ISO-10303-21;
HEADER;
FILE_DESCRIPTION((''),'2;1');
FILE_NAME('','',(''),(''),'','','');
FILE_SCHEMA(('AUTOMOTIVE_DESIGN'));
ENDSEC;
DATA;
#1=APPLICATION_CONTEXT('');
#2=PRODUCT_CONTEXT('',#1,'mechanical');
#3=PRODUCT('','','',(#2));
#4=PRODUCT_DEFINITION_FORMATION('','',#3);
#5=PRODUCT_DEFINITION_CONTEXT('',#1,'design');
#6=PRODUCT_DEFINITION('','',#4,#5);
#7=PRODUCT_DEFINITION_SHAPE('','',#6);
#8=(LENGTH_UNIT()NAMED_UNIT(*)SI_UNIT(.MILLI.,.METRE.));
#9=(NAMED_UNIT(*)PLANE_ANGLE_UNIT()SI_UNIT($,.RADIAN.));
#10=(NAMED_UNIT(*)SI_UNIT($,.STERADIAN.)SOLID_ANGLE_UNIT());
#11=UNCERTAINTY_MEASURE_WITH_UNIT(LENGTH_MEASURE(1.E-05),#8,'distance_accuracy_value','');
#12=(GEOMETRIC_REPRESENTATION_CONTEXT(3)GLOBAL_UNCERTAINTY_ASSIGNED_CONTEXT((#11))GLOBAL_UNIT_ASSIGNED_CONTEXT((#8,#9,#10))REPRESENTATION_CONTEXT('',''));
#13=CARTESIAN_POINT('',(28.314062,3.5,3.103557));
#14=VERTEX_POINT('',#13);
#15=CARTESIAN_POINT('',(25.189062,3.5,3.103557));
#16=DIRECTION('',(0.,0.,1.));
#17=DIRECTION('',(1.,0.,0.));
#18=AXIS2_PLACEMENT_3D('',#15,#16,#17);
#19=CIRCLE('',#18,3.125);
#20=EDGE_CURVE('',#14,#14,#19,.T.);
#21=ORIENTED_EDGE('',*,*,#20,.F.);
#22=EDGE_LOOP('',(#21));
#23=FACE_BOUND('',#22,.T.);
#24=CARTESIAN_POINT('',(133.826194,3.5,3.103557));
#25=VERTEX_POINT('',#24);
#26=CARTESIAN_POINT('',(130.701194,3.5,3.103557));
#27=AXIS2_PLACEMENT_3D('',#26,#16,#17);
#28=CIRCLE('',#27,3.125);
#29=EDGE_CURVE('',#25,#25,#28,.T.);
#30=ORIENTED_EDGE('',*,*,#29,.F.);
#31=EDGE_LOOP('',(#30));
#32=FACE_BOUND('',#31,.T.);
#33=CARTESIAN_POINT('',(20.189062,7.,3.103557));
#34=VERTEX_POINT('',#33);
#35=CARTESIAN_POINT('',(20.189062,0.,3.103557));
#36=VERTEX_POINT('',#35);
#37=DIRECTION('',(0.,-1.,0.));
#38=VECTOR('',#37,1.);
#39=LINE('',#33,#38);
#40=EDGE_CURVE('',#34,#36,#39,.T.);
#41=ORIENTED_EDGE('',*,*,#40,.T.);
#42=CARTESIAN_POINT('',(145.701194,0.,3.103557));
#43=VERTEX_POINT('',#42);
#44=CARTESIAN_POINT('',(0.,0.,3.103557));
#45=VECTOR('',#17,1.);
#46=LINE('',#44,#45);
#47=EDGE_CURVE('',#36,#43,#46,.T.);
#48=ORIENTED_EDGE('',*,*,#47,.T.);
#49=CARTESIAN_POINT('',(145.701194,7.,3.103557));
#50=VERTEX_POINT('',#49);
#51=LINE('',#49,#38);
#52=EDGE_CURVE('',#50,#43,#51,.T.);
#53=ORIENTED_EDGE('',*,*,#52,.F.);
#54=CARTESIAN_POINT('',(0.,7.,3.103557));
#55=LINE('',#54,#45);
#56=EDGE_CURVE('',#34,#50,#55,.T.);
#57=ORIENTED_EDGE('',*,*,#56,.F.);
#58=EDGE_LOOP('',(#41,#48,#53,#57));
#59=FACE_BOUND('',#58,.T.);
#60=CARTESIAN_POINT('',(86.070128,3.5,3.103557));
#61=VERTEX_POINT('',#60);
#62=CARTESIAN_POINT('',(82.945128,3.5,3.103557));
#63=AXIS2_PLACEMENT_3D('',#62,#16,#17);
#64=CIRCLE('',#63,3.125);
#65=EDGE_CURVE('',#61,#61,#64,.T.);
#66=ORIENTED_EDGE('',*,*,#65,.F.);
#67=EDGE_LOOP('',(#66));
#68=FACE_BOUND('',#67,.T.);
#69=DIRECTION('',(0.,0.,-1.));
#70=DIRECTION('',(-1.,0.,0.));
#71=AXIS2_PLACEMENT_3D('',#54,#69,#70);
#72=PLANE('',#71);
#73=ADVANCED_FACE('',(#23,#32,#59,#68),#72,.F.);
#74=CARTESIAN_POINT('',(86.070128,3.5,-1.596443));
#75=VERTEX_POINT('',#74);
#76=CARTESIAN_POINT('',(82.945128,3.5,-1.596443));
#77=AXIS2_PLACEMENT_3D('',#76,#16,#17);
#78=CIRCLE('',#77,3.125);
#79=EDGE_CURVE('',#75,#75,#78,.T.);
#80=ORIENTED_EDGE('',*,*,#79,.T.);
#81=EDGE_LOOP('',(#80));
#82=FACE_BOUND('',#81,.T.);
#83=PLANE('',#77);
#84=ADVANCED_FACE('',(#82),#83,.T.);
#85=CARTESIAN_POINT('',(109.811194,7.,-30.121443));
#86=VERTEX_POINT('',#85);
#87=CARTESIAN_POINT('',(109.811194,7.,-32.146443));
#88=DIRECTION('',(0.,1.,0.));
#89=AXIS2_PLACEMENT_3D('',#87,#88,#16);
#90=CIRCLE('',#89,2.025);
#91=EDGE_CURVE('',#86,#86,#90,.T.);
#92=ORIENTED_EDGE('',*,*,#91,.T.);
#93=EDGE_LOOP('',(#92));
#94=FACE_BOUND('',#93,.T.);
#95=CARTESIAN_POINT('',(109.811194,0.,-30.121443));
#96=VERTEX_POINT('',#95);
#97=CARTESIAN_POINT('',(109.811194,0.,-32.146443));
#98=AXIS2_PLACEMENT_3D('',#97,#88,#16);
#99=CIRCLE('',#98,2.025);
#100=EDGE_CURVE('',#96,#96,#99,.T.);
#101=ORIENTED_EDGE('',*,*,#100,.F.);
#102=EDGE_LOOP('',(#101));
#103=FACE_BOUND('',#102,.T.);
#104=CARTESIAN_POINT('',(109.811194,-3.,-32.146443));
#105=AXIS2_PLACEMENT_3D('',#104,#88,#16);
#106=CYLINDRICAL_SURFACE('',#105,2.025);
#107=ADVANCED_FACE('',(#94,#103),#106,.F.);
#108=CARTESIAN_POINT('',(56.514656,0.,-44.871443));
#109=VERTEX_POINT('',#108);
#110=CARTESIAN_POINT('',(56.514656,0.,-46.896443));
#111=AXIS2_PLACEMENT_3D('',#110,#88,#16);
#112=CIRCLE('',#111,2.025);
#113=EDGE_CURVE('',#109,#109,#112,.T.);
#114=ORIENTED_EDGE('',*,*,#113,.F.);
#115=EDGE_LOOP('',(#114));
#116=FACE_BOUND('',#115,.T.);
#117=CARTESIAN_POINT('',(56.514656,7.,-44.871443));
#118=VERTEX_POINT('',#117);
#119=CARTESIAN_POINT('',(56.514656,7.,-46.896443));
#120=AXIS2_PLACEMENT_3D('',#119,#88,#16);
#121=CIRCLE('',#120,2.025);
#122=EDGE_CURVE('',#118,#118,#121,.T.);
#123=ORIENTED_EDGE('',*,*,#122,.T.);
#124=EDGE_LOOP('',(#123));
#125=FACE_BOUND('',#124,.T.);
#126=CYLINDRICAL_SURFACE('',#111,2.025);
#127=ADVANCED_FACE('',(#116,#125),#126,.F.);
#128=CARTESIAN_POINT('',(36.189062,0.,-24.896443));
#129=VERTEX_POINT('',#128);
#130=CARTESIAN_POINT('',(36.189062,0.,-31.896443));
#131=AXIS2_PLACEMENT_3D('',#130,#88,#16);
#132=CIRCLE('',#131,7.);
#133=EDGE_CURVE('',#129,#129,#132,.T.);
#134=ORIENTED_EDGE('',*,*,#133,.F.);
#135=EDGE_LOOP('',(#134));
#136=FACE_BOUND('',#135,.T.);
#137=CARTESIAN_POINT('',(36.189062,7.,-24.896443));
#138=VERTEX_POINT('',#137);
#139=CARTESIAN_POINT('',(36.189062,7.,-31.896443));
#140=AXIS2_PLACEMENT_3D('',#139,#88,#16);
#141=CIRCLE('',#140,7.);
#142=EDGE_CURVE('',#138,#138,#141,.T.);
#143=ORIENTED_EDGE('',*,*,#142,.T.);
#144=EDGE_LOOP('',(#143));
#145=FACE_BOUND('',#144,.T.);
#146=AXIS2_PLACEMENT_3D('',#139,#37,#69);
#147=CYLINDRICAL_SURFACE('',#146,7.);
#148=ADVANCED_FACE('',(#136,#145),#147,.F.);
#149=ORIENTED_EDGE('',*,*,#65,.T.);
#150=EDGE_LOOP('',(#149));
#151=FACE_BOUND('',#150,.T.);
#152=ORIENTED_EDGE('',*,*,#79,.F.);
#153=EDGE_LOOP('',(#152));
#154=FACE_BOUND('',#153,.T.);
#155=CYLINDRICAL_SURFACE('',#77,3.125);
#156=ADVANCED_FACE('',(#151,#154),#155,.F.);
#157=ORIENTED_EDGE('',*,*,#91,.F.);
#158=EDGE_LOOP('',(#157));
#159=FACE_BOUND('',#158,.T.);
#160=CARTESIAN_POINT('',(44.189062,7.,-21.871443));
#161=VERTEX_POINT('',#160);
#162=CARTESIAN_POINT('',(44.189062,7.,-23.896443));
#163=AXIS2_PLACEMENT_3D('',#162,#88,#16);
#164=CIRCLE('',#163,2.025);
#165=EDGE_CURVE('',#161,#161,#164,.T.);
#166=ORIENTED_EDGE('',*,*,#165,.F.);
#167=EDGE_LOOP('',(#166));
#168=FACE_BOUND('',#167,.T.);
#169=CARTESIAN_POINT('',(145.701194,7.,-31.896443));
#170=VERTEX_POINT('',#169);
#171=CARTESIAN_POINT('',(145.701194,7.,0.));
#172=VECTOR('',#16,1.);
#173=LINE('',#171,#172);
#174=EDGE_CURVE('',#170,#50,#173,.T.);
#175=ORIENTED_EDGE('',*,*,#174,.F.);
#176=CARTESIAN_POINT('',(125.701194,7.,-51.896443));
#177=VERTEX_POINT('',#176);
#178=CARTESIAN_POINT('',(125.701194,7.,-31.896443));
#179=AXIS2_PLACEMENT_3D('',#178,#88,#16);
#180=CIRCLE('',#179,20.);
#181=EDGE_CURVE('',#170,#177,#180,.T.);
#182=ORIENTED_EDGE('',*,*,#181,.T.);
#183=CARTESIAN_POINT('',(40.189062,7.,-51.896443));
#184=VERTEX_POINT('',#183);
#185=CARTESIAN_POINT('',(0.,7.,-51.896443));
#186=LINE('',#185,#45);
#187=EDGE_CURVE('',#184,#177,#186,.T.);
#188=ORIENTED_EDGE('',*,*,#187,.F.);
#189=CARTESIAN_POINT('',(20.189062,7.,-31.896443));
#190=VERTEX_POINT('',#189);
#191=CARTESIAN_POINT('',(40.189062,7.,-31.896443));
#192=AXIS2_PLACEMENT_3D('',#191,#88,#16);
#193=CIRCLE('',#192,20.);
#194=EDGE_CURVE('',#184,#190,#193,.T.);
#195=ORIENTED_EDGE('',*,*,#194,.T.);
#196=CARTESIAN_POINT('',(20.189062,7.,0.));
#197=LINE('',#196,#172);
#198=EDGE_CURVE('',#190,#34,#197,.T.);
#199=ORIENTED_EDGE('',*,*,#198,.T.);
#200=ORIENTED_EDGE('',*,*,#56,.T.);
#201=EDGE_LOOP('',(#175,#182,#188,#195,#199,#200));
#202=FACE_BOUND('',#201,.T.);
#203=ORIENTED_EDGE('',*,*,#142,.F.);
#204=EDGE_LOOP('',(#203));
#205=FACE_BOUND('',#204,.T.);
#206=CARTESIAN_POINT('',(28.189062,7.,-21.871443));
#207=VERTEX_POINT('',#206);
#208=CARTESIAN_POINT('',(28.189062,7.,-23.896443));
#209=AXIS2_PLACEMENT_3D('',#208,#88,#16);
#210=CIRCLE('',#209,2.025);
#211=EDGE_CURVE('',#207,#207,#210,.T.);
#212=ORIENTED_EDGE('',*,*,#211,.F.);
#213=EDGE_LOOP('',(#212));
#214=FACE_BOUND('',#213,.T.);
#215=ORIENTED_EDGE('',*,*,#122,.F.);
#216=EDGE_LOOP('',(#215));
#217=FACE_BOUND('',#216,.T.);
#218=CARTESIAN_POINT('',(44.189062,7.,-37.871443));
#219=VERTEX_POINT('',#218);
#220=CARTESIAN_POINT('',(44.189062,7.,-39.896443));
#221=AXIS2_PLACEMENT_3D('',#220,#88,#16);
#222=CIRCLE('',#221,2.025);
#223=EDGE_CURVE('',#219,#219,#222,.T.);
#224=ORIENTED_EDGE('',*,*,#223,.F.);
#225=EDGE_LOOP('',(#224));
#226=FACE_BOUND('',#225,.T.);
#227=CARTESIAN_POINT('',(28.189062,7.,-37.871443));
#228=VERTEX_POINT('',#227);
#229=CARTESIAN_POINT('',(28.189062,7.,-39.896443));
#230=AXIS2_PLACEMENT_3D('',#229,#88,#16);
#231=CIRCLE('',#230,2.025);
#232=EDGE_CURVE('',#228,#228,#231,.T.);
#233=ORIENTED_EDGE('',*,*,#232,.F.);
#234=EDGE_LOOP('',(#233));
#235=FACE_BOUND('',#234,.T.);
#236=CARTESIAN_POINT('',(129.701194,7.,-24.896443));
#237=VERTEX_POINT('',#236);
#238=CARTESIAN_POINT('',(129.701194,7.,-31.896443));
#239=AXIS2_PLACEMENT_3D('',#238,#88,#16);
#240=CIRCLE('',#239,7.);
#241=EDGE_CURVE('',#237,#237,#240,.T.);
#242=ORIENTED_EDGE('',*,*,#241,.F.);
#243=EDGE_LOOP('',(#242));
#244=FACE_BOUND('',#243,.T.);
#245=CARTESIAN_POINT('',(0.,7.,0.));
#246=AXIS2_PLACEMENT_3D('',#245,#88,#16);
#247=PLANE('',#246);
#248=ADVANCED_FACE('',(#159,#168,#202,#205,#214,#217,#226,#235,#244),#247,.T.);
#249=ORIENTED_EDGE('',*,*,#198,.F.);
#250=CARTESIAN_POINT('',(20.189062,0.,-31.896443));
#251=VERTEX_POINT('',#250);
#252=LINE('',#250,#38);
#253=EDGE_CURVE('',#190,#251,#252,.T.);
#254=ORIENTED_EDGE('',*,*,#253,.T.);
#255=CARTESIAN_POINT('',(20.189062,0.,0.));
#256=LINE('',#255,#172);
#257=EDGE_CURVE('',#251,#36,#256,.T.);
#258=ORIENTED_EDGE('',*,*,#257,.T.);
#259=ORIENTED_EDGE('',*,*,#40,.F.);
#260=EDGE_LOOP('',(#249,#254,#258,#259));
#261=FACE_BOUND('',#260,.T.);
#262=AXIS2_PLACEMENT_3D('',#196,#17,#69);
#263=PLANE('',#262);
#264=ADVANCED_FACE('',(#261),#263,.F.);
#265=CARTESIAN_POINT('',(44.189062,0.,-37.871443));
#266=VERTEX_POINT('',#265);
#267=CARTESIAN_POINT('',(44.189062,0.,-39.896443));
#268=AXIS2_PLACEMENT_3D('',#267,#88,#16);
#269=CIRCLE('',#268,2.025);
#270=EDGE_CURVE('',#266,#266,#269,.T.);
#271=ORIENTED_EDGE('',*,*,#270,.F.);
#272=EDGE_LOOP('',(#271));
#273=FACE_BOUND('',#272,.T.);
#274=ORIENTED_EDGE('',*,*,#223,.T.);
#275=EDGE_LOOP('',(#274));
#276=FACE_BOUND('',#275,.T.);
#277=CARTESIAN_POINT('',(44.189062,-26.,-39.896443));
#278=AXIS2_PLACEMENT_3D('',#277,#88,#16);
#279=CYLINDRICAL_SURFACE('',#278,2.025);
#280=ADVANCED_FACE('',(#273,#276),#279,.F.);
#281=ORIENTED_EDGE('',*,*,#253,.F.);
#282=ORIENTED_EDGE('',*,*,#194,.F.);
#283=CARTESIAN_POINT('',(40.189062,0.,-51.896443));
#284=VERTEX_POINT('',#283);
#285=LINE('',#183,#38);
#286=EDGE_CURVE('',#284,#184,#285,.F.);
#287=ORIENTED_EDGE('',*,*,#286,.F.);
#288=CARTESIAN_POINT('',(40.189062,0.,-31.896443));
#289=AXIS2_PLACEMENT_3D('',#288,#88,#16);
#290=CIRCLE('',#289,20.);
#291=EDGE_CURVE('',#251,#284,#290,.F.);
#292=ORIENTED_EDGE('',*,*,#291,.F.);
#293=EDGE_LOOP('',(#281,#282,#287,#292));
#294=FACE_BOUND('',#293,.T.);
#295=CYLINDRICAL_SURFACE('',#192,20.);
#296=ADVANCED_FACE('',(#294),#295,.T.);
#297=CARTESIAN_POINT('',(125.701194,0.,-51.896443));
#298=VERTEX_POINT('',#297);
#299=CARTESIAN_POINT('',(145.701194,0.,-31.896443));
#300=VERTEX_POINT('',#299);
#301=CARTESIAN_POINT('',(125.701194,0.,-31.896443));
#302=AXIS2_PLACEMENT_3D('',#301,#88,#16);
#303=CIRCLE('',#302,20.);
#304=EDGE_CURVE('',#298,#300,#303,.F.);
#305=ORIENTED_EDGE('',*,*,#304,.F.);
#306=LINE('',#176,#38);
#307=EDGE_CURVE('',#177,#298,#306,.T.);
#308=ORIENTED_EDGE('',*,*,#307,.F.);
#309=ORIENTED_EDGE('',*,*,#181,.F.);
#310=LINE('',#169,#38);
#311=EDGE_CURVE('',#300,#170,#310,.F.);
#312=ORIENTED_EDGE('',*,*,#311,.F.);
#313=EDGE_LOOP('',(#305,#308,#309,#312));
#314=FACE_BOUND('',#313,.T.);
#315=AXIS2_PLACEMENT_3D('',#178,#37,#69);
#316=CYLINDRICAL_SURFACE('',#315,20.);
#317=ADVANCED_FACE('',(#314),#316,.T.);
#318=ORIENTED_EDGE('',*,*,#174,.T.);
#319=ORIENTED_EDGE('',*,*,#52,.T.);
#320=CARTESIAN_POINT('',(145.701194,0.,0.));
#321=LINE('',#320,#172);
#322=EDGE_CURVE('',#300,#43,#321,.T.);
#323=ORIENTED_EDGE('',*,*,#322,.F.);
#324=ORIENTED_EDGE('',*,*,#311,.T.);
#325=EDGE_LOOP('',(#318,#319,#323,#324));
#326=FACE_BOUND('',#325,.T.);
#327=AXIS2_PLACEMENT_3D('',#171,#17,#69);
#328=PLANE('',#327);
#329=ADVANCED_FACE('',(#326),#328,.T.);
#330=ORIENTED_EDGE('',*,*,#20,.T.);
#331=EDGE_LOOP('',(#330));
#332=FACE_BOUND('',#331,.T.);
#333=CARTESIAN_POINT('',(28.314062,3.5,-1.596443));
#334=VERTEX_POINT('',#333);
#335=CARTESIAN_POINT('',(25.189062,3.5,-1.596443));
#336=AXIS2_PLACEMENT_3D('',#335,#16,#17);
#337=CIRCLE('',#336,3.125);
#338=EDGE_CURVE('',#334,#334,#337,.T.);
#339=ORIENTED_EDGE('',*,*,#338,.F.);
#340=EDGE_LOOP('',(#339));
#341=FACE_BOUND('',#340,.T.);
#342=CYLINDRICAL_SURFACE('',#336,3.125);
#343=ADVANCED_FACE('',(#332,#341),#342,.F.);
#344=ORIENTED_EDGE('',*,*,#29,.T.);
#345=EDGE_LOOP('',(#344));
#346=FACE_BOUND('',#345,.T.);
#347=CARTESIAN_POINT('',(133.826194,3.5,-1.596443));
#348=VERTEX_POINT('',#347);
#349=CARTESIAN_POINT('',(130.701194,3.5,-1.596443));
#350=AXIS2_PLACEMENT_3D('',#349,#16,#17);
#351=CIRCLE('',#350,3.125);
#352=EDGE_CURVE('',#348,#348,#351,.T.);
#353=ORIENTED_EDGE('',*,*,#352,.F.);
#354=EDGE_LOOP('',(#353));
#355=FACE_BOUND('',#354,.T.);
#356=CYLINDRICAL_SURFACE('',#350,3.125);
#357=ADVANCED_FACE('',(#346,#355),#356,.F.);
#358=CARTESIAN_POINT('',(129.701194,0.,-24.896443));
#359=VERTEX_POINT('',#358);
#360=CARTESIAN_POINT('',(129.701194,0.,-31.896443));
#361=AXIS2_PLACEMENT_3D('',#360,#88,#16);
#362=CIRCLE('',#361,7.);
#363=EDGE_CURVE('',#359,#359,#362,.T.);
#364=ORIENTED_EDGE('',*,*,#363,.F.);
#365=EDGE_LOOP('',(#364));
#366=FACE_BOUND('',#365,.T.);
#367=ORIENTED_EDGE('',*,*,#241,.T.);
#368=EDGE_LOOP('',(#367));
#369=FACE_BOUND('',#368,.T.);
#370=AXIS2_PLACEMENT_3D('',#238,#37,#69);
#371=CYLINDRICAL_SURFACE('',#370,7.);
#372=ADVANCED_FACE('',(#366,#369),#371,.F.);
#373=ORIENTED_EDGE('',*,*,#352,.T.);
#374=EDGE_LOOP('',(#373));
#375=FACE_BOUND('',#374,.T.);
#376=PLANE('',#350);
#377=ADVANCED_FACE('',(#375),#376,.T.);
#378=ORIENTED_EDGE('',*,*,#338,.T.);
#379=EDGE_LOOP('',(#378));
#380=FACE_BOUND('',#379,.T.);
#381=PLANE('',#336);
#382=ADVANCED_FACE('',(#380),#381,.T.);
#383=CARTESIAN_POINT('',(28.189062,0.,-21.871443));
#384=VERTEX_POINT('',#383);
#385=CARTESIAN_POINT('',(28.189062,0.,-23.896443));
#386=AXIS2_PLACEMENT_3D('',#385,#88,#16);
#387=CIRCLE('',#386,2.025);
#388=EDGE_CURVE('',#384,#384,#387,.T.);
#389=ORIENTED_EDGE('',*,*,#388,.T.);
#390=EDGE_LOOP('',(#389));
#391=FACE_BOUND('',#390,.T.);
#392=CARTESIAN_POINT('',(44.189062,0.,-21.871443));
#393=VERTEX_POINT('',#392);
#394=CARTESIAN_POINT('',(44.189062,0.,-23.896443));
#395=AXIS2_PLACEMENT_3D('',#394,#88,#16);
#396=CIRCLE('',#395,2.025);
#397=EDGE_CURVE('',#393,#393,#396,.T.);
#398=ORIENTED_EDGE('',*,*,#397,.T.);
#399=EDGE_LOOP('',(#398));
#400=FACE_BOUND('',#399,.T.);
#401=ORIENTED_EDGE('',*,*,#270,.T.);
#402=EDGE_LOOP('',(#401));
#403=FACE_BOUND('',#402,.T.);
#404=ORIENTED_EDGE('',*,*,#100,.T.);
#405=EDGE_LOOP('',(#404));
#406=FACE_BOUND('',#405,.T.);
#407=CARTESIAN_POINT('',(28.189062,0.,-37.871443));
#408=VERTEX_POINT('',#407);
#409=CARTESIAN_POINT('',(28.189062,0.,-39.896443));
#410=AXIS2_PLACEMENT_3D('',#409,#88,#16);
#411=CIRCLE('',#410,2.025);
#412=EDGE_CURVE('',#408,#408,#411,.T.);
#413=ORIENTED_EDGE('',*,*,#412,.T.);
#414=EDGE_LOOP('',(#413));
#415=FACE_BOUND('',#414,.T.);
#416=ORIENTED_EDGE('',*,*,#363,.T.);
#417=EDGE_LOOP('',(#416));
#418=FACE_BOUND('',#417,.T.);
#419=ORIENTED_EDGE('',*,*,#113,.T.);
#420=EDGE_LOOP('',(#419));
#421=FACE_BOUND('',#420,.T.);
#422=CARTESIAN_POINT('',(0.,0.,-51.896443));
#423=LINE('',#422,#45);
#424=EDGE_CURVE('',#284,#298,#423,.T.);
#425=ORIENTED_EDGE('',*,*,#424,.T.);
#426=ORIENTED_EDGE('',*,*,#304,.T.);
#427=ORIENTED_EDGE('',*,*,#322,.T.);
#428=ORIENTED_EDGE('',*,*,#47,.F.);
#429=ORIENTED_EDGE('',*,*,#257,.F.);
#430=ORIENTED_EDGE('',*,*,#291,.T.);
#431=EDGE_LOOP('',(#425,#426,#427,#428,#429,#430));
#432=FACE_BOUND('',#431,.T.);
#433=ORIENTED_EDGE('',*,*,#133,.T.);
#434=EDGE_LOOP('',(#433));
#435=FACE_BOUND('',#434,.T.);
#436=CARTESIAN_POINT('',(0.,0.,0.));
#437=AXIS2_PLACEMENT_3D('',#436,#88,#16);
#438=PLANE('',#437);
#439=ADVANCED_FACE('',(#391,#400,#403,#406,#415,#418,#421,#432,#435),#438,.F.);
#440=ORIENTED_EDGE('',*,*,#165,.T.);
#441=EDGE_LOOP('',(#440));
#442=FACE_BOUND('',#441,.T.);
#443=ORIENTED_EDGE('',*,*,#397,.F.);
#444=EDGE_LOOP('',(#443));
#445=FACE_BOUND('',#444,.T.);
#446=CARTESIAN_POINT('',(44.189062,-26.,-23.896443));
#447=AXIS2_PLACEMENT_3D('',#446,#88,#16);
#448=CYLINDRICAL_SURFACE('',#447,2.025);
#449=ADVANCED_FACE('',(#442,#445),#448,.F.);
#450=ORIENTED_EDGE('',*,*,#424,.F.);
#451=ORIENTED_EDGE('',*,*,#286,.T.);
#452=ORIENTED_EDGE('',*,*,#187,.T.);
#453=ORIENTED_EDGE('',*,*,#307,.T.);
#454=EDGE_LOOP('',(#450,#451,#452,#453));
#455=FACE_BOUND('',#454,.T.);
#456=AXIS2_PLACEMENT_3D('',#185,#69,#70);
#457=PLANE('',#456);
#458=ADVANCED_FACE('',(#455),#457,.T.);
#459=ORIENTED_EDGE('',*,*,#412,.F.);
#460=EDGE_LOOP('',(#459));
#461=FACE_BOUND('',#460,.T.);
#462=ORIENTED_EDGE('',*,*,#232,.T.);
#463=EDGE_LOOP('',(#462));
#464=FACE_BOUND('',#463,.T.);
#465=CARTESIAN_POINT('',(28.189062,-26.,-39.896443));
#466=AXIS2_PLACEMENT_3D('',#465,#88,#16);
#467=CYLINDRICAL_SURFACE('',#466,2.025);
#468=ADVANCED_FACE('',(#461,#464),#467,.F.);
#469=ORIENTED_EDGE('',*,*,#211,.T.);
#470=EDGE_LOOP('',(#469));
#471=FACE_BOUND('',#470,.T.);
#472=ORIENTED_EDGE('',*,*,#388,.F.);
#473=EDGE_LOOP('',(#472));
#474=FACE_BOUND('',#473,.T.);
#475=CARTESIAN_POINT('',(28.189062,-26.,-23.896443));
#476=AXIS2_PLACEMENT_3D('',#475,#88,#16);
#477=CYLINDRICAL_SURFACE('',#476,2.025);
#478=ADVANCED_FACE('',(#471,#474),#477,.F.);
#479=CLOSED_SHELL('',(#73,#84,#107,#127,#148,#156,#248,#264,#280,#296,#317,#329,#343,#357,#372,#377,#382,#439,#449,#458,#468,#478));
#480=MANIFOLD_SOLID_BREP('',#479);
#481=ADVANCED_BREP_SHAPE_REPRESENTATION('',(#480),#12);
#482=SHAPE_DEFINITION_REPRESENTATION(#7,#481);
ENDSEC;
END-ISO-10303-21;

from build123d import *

# Parameters (mm, degrees)
SKETCH2_W           = 125.512132551
SKETCH2_H           = 55
SKETCH2_R           = 7
BOSS_EXTRUDE1_DEPTH = 7
FILLET4_R           = 20
SKETCH5_R           = 2.025
CUT_EXTRUDE1_DEPTH  = 10
SKETCH6_R           = 2.025
CUT_EXTRUDE2_DEPTH  = 33
SKETCH7_R           = 3.125
CUT_EXTRUDE3_DEPTH  = 4.7
SKETCH8_R           = 2.025
CUT_EXTRUDE4_DEPTH  = 7


with BuildPart() as part:
    # Sketch2 → Boss-Extrude1 (new body)
    with BuildSketch(Plane(origin=(0, 0, 0), x_dir=(1, 0, 0), z_dir=(0, 1, 0))):
        with Locations((82.945127875, 24.3964427)):
            Rectangle(SKETCH2_W, SKETCH2_H)
        with Locations(Location((36.189061599, 31.8964427, 0), (0, 0, 270))):
            Circle(SKETCH2_R, mode=Mode.SUBTRACT)
        with Locations(Location((129.70119415, 31.8964427, 0), (0, 0, 270))):
            Circle(SKETCH2_R, mode=Mode.SUBTRACT)
    extrude(amount=BOSS_EXTRUDE1_DEPTH)

    # Fillet4
    fillet4_edges = [part.edges().sort_by_distance(p)[0] for p in [
        (145.70119415, 3.5, -51.8964427),
        (20.189061599, 3.5, -51.8964427),
    ]]
    fillet(fillet4_edges, radius=FILLET4_R)

    # Sketch5 → Cut-Extrude1 (cut)
    with BuildSketch(Plane(origin=(0, 7, 0), x_dir=(1, 0, 0), z_dir=(0, 1, 0))):
        with Locations(Location((109.81119415, 32.1464427, 0), (0, 0, 270))):
            Circle(SKETCH5_R)
    extrude(amount=-CUT_EXTRUDE1_DEPTH, mode=Mode.SUBTRACT)

    # Sketch6 → Cut-Extrude2 (cut)
    with BuildSketch(Plane(origin=(0, 7, 0), x_dir=(1, 0, 0), z_dir=(0, 1, 0))):
        with Locations(Location((28.189061599, 39.8964427, 0), (0, 0, 270))):
            Circle(SKETCH6_R)
        with Locations(Location((44.189061599, 39.8964427, 0), (0, 0, 270))):
            Circle(SKETCH6_R)
        with Locations(Location((44.189061599, 23.8964427, 0), (0, 0, 270))):
            Circle(SKETCH6_R)
        with Locations(Location((28.189061599, 23.8964427, 0), (0, 0, 270))):
            Circle(SKETCH6_R)
    extrude(amount=-CUT_EXTRUDE2_DEPTH, mode=Mode.SUBTRACT)

    # Sketch7 → Cut-Extrude3 (cut)
    with BuildSketch(Plane.XY.offset(3.1035573)):
        with Locations((25.189061599, 3.5)):
            Circle(SKETCH7_R)
        with Locations((130.70119415, 3.5)):
            Circle(SKETCH7_R)
        with Locations((82.945127875, 3.5)):
            Circle(SKETCH7_R)
    extrude(amount=-CUT_EXTRUDE3_DEPTH, mode=Mode.SUBTRACT)

    # Sketch8 → Cut-Extrude4 (cut)
    with BuildSketch(Plane(origin=(0, 7, 0), x_dir=(1, 0, 0), z_dir=(0, 1, 0))):
        with Locations(Location((56.514656449, 46.8964427, 0), (0, 0, 270))):
            Circle(SKETCH8_R)
    extrude(amount=-CUT_EXTRUDE4_DEPTH, mode=Mode.SUBTRACT)


solid = part.part
